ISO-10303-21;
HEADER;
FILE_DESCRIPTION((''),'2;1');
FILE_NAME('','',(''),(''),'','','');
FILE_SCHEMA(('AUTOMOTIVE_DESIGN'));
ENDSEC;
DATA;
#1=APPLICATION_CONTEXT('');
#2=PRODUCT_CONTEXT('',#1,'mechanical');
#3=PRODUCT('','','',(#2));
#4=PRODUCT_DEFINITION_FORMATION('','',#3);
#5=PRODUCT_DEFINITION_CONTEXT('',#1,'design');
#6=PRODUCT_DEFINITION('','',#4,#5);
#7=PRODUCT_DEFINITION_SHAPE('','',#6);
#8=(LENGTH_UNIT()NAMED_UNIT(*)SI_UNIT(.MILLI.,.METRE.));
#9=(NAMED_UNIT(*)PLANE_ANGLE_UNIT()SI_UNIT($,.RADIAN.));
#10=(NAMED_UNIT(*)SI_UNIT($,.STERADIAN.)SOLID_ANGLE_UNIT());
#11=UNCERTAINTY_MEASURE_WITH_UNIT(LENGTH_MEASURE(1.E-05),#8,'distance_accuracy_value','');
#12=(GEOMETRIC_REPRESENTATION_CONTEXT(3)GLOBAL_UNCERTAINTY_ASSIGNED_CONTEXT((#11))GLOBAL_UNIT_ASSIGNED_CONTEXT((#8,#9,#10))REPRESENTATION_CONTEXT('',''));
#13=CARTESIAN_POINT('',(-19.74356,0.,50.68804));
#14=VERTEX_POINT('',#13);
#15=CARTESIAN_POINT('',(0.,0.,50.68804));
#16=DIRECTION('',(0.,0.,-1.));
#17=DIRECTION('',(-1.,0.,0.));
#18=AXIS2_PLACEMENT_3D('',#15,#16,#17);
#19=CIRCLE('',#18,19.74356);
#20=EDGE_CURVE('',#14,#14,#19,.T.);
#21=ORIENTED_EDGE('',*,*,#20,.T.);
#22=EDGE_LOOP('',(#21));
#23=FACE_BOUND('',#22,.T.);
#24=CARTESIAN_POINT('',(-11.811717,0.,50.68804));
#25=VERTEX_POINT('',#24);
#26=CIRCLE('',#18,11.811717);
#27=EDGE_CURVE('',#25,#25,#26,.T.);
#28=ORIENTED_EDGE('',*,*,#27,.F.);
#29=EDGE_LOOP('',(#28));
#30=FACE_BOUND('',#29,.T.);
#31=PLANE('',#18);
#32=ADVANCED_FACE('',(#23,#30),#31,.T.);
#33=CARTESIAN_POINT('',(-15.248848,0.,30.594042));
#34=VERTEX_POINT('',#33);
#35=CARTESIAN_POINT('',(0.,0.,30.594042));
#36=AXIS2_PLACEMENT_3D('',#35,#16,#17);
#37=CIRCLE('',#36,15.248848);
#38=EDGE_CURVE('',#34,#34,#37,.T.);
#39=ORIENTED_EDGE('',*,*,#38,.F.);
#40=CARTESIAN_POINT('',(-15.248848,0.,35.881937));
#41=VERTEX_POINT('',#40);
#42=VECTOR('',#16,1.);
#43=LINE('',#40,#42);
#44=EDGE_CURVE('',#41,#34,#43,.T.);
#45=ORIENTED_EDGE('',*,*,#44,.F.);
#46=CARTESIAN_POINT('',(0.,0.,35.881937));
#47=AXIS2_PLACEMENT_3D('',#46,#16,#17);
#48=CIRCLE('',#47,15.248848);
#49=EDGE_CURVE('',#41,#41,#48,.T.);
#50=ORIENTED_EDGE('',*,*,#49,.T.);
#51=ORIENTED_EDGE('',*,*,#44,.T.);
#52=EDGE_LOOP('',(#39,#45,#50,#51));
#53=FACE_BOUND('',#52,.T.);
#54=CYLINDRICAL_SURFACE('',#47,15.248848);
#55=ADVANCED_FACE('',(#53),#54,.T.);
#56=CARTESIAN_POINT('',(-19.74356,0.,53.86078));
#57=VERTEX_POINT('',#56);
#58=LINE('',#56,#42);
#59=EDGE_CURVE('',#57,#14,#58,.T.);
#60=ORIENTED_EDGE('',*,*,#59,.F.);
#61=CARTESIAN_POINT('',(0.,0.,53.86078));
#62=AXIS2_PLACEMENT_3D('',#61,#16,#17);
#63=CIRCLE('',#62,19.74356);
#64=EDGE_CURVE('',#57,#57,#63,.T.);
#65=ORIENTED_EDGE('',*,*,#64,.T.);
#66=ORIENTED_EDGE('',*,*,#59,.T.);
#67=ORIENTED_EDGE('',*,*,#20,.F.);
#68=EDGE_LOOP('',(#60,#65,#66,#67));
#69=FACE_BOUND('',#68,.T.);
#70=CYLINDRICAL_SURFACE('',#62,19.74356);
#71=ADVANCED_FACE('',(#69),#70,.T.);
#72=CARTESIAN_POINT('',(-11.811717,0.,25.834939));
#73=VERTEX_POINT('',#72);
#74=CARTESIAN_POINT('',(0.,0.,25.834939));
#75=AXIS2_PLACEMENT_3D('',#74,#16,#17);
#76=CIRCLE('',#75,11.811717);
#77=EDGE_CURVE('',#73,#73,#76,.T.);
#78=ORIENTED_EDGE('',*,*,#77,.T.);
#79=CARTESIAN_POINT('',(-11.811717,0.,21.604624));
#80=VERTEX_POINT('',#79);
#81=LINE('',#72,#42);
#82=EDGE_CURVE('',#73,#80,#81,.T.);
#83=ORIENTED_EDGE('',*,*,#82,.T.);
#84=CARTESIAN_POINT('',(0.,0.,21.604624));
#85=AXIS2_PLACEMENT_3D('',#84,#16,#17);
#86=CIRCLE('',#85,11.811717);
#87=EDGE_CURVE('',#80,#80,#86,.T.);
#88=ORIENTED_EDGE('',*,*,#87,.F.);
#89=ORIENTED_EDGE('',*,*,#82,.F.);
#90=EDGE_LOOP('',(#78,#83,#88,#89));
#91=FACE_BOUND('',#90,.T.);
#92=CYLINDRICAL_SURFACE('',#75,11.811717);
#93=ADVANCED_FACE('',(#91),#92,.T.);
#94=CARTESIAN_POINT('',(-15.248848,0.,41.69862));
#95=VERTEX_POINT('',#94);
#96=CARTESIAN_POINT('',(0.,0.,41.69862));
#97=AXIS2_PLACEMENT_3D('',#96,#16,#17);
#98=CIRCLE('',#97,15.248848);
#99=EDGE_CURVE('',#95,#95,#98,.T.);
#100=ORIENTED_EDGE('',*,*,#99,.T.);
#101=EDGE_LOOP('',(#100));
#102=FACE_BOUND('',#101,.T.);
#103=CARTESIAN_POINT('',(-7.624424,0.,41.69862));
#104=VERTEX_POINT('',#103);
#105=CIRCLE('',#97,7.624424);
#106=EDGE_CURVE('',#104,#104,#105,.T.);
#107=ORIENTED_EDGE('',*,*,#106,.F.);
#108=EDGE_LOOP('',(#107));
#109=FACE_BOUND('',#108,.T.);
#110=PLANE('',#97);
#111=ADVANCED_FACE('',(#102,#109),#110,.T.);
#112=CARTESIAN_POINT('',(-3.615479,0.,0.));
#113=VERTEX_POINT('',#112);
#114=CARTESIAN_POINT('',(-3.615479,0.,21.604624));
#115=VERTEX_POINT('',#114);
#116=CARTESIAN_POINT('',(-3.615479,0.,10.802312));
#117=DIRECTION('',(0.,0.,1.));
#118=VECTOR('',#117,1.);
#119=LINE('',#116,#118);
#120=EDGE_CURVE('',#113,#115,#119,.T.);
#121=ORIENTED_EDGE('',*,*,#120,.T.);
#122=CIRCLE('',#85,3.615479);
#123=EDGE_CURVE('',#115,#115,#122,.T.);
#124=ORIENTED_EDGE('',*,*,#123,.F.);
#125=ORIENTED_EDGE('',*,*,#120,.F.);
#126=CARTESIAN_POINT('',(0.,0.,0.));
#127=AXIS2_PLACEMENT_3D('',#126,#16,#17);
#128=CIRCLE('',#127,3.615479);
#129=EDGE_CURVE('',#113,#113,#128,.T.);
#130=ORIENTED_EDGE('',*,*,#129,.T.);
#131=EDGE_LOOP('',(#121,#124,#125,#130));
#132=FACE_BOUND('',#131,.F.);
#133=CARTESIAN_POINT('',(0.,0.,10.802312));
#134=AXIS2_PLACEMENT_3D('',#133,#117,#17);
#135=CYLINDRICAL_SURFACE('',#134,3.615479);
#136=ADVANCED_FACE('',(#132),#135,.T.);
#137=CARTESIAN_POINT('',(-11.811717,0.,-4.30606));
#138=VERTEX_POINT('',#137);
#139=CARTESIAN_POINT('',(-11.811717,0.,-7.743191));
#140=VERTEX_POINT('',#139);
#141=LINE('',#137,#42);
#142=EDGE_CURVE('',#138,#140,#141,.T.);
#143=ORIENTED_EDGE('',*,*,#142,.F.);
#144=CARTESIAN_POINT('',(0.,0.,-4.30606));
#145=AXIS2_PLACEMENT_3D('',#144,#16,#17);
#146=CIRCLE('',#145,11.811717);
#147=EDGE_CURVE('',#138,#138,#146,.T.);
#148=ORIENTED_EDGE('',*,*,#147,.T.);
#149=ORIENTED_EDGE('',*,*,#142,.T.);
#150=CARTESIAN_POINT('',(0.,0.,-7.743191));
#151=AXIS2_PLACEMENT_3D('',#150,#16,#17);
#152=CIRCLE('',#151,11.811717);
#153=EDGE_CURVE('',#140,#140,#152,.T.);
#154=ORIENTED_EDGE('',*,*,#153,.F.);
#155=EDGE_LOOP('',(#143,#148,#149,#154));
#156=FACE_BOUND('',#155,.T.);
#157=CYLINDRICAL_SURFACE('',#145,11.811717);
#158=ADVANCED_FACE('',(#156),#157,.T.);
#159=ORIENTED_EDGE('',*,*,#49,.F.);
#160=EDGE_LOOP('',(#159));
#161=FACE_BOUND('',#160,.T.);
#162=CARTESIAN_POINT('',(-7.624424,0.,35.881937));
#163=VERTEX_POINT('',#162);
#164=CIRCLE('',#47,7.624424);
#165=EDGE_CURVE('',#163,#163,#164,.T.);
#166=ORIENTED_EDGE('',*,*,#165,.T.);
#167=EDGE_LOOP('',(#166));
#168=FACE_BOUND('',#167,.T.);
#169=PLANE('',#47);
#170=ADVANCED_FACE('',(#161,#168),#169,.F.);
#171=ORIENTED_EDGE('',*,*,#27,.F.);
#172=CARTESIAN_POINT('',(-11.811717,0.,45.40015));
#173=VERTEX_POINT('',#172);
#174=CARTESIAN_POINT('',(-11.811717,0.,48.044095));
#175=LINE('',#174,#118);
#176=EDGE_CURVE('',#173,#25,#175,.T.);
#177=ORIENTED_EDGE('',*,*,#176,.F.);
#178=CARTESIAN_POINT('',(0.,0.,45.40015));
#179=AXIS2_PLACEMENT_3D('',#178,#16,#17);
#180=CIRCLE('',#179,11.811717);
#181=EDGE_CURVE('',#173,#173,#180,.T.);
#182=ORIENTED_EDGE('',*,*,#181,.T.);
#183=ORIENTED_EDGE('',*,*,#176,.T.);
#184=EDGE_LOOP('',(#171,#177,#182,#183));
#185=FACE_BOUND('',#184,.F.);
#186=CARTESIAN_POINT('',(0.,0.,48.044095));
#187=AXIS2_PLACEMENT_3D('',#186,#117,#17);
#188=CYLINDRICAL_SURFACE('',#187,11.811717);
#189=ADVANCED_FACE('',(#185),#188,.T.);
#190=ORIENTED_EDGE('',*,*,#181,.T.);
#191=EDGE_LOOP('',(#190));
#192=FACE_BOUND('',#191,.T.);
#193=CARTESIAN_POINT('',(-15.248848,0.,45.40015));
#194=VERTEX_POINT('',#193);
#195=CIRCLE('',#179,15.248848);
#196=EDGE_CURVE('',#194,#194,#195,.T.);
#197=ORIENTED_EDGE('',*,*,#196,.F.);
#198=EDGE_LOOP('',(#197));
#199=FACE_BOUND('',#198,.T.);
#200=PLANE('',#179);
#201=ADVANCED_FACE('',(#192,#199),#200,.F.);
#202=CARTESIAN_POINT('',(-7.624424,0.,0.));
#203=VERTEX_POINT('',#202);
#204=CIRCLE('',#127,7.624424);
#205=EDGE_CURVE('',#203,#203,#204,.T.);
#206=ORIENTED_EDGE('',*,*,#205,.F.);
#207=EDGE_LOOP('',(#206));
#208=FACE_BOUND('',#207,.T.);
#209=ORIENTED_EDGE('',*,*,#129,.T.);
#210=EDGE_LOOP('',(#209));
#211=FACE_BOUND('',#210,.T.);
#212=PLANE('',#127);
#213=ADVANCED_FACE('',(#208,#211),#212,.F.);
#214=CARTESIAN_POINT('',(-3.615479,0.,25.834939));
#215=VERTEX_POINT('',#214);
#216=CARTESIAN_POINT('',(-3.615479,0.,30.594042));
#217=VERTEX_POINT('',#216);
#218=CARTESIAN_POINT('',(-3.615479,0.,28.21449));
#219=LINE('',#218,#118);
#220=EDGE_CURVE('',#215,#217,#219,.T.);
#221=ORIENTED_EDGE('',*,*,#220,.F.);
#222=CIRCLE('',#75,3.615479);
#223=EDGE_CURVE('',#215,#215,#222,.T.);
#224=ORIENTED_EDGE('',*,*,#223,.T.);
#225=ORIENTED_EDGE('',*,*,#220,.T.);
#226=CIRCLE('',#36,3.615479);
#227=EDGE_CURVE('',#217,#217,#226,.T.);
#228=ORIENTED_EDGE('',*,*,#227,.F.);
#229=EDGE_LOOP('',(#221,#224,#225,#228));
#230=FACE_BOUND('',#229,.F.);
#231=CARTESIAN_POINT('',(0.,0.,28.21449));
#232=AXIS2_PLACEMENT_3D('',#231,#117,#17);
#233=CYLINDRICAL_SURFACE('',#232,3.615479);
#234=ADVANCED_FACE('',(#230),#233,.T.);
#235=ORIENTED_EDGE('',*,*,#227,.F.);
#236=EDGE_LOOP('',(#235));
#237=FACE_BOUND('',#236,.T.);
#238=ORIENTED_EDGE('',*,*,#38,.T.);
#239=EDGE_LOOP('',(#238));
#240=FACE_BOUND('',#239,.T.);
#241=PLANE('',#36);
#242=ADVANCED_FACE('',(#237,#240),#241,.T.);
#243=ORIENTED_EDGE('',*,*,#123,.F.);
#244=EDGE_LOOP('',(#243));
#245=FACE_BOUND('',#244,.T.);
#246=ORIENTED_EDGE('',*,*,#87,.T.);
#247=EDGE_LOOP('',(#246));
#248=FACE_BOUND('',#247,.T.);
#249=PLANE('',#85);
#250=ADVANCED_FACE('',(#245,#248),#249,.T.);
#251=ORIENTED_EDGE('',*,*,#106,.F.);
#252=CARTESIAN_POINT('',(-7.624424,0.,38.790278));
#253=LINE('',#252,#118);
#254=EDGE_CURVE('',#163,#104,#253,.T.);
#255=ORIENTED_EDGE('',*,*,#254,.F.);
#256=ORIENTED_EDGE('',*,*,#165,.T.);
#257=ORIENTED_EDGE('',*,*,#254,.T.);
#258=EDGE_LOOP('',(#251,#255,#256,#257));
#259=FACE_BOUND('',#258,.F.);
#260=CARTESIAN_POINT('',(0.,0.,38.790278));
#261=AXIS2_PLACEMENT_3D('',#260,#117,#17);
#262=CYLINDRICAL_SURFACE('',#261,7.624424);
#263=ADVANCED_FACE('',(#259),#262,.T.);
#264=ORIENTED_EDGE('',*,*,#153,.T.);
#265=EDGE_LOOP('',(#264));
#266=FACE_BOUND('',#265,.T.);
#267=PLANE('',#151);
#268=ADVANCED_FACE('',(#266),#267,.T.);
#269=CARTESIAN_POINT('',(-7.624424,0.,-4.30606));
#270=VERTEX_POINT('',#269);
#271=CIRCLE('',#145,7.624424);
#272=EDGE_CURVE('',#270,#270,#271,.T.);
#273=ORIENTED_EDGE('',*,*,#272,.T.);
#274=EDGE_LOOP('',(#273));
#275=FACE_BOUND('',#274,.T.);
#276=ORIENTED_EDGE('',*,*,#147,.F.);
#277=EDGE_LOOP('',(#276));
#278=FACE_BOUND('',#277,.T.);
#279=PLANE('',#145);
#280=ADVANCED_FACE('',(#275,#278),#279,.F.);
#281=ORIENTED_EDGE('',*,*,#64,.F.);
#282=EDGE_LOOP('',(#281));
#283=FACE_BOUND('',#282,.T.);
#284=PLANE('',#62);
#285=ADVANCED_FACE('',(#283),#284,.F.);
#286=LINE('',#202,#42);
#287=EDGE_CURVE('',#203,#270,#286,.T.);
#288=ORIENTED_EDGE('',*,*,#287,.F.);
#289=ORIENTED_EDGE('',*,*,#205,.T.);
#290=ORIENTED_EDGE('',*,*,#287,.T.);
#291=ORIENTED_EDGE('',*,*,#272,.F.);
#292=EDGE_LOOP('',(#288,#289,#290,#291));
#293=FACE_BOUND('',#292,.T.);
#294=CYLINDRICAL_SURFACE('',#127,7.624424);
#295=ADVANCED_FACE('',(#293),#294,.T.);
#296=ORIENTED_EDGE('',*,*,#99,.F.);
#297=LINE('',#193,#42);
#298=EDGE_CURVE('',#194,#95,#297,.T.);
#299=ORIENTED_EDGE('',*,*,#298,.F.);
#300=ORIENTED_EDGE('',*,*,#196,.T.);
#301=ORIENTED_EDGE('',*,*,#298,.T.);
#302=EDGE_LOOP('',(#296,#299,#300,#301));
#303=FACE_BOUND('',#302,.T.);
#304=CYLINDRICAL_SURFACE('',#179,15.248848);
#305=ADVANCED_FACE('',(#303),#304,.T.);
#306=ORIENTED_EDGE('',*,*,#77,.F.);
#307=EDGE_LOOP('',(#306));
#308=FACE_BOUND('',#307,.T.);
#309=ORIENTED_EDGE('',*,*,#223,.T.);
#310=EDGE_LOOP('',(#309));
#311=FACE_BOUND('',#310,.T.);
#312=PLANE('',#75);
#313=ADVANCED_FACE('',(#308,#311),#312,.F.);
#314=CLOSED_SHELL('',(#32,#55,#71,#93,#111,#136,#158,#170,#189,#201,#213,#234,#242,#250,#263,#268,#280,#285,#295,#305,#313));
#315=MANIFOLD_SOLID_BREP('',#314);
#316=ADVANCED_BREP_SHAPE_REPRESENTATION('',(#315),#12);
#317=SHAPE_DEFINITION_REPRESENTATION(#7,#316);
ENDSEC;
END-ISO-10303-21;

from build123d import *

# Parameters (mm, degrees)
F0_W   = 11.8117174134
F0_H   = 5.2878893912
F0_W_2 = 7.6244240627
F0_H_2 = 5.8166831732
F0_W_3 = 3.6154794507
F0_H_3 = 4.7591030598
F0_H_4 = 21.6046236455


with BuildPart() as f1:
    # F0 (on Front) → F1 (revolve)
    with BuildSketch(Plane.XZ):
        Polygon((0, 50.6880395114), (0, 53.8607798517), (-19.743559882, 53.8607798517), (-19.743559882, 50.6880395114), (-11.8117174134, 50.6880395114), align=None)
        with Locations((-5.9058587067, 48.0440948159)):
            Rectangle(F0_W, F0_H)
        Polygon((0, 41.6986197233), (0, 45.4001501203), (-11.8117174134, 45.4001501203), (-15.2488481253, 45.4001501203), (-15.2488481253, 41.6986197233), (-7.6244240627, 41.6986197233), align=None)
        with Locations((-3.8122120313, 38.7902781367)):
            Rectangle(F0_W_2, F0_H_2)
        Polygon((0, 30.594041571), (0, 35.8819365501), (-7.6244240627, 35.8819365501), (-15.2488481253, 35.8819365501), (-15.2488481253, 30.594041571), (-3.6154794507, 30.594041571), align=None)
        with Locations((-1.8077397253, 28.2144900411)):
            Rectangle(F0_W_3, F0_H_3)
        Polygon((0, 21.6046236455), (0, 25.8349385113), (-3.6154794507, 25.8349385113), (-11.8117174134, 25.8349385113), (-11.8117174134, 21.6046236455), (-3.6154794507, 21.6046236455), align=None)
        with Locations((-1.8077397253, 10.8023118228)):
            Rectangle(F0_W_3, F0_H_4)
        Polygon((0, -4.3060597964), (0, 0), (-3.6154794507, 0), (-7.6244240627, 0), (-7.6244240627, -4.3060597964), align=None)
        Polygon((0, -7.7431914397), (0, -4.3060597964), (-7.6244240627, -4.3060597964), (-11.8117174134, -4.3060597964), (-11.8117174134, -7.7431914397), align=None)
    revolve(axis=Axis((0, 0, 10.8023118228), (0, 0, -1)))


solid = f1.part
